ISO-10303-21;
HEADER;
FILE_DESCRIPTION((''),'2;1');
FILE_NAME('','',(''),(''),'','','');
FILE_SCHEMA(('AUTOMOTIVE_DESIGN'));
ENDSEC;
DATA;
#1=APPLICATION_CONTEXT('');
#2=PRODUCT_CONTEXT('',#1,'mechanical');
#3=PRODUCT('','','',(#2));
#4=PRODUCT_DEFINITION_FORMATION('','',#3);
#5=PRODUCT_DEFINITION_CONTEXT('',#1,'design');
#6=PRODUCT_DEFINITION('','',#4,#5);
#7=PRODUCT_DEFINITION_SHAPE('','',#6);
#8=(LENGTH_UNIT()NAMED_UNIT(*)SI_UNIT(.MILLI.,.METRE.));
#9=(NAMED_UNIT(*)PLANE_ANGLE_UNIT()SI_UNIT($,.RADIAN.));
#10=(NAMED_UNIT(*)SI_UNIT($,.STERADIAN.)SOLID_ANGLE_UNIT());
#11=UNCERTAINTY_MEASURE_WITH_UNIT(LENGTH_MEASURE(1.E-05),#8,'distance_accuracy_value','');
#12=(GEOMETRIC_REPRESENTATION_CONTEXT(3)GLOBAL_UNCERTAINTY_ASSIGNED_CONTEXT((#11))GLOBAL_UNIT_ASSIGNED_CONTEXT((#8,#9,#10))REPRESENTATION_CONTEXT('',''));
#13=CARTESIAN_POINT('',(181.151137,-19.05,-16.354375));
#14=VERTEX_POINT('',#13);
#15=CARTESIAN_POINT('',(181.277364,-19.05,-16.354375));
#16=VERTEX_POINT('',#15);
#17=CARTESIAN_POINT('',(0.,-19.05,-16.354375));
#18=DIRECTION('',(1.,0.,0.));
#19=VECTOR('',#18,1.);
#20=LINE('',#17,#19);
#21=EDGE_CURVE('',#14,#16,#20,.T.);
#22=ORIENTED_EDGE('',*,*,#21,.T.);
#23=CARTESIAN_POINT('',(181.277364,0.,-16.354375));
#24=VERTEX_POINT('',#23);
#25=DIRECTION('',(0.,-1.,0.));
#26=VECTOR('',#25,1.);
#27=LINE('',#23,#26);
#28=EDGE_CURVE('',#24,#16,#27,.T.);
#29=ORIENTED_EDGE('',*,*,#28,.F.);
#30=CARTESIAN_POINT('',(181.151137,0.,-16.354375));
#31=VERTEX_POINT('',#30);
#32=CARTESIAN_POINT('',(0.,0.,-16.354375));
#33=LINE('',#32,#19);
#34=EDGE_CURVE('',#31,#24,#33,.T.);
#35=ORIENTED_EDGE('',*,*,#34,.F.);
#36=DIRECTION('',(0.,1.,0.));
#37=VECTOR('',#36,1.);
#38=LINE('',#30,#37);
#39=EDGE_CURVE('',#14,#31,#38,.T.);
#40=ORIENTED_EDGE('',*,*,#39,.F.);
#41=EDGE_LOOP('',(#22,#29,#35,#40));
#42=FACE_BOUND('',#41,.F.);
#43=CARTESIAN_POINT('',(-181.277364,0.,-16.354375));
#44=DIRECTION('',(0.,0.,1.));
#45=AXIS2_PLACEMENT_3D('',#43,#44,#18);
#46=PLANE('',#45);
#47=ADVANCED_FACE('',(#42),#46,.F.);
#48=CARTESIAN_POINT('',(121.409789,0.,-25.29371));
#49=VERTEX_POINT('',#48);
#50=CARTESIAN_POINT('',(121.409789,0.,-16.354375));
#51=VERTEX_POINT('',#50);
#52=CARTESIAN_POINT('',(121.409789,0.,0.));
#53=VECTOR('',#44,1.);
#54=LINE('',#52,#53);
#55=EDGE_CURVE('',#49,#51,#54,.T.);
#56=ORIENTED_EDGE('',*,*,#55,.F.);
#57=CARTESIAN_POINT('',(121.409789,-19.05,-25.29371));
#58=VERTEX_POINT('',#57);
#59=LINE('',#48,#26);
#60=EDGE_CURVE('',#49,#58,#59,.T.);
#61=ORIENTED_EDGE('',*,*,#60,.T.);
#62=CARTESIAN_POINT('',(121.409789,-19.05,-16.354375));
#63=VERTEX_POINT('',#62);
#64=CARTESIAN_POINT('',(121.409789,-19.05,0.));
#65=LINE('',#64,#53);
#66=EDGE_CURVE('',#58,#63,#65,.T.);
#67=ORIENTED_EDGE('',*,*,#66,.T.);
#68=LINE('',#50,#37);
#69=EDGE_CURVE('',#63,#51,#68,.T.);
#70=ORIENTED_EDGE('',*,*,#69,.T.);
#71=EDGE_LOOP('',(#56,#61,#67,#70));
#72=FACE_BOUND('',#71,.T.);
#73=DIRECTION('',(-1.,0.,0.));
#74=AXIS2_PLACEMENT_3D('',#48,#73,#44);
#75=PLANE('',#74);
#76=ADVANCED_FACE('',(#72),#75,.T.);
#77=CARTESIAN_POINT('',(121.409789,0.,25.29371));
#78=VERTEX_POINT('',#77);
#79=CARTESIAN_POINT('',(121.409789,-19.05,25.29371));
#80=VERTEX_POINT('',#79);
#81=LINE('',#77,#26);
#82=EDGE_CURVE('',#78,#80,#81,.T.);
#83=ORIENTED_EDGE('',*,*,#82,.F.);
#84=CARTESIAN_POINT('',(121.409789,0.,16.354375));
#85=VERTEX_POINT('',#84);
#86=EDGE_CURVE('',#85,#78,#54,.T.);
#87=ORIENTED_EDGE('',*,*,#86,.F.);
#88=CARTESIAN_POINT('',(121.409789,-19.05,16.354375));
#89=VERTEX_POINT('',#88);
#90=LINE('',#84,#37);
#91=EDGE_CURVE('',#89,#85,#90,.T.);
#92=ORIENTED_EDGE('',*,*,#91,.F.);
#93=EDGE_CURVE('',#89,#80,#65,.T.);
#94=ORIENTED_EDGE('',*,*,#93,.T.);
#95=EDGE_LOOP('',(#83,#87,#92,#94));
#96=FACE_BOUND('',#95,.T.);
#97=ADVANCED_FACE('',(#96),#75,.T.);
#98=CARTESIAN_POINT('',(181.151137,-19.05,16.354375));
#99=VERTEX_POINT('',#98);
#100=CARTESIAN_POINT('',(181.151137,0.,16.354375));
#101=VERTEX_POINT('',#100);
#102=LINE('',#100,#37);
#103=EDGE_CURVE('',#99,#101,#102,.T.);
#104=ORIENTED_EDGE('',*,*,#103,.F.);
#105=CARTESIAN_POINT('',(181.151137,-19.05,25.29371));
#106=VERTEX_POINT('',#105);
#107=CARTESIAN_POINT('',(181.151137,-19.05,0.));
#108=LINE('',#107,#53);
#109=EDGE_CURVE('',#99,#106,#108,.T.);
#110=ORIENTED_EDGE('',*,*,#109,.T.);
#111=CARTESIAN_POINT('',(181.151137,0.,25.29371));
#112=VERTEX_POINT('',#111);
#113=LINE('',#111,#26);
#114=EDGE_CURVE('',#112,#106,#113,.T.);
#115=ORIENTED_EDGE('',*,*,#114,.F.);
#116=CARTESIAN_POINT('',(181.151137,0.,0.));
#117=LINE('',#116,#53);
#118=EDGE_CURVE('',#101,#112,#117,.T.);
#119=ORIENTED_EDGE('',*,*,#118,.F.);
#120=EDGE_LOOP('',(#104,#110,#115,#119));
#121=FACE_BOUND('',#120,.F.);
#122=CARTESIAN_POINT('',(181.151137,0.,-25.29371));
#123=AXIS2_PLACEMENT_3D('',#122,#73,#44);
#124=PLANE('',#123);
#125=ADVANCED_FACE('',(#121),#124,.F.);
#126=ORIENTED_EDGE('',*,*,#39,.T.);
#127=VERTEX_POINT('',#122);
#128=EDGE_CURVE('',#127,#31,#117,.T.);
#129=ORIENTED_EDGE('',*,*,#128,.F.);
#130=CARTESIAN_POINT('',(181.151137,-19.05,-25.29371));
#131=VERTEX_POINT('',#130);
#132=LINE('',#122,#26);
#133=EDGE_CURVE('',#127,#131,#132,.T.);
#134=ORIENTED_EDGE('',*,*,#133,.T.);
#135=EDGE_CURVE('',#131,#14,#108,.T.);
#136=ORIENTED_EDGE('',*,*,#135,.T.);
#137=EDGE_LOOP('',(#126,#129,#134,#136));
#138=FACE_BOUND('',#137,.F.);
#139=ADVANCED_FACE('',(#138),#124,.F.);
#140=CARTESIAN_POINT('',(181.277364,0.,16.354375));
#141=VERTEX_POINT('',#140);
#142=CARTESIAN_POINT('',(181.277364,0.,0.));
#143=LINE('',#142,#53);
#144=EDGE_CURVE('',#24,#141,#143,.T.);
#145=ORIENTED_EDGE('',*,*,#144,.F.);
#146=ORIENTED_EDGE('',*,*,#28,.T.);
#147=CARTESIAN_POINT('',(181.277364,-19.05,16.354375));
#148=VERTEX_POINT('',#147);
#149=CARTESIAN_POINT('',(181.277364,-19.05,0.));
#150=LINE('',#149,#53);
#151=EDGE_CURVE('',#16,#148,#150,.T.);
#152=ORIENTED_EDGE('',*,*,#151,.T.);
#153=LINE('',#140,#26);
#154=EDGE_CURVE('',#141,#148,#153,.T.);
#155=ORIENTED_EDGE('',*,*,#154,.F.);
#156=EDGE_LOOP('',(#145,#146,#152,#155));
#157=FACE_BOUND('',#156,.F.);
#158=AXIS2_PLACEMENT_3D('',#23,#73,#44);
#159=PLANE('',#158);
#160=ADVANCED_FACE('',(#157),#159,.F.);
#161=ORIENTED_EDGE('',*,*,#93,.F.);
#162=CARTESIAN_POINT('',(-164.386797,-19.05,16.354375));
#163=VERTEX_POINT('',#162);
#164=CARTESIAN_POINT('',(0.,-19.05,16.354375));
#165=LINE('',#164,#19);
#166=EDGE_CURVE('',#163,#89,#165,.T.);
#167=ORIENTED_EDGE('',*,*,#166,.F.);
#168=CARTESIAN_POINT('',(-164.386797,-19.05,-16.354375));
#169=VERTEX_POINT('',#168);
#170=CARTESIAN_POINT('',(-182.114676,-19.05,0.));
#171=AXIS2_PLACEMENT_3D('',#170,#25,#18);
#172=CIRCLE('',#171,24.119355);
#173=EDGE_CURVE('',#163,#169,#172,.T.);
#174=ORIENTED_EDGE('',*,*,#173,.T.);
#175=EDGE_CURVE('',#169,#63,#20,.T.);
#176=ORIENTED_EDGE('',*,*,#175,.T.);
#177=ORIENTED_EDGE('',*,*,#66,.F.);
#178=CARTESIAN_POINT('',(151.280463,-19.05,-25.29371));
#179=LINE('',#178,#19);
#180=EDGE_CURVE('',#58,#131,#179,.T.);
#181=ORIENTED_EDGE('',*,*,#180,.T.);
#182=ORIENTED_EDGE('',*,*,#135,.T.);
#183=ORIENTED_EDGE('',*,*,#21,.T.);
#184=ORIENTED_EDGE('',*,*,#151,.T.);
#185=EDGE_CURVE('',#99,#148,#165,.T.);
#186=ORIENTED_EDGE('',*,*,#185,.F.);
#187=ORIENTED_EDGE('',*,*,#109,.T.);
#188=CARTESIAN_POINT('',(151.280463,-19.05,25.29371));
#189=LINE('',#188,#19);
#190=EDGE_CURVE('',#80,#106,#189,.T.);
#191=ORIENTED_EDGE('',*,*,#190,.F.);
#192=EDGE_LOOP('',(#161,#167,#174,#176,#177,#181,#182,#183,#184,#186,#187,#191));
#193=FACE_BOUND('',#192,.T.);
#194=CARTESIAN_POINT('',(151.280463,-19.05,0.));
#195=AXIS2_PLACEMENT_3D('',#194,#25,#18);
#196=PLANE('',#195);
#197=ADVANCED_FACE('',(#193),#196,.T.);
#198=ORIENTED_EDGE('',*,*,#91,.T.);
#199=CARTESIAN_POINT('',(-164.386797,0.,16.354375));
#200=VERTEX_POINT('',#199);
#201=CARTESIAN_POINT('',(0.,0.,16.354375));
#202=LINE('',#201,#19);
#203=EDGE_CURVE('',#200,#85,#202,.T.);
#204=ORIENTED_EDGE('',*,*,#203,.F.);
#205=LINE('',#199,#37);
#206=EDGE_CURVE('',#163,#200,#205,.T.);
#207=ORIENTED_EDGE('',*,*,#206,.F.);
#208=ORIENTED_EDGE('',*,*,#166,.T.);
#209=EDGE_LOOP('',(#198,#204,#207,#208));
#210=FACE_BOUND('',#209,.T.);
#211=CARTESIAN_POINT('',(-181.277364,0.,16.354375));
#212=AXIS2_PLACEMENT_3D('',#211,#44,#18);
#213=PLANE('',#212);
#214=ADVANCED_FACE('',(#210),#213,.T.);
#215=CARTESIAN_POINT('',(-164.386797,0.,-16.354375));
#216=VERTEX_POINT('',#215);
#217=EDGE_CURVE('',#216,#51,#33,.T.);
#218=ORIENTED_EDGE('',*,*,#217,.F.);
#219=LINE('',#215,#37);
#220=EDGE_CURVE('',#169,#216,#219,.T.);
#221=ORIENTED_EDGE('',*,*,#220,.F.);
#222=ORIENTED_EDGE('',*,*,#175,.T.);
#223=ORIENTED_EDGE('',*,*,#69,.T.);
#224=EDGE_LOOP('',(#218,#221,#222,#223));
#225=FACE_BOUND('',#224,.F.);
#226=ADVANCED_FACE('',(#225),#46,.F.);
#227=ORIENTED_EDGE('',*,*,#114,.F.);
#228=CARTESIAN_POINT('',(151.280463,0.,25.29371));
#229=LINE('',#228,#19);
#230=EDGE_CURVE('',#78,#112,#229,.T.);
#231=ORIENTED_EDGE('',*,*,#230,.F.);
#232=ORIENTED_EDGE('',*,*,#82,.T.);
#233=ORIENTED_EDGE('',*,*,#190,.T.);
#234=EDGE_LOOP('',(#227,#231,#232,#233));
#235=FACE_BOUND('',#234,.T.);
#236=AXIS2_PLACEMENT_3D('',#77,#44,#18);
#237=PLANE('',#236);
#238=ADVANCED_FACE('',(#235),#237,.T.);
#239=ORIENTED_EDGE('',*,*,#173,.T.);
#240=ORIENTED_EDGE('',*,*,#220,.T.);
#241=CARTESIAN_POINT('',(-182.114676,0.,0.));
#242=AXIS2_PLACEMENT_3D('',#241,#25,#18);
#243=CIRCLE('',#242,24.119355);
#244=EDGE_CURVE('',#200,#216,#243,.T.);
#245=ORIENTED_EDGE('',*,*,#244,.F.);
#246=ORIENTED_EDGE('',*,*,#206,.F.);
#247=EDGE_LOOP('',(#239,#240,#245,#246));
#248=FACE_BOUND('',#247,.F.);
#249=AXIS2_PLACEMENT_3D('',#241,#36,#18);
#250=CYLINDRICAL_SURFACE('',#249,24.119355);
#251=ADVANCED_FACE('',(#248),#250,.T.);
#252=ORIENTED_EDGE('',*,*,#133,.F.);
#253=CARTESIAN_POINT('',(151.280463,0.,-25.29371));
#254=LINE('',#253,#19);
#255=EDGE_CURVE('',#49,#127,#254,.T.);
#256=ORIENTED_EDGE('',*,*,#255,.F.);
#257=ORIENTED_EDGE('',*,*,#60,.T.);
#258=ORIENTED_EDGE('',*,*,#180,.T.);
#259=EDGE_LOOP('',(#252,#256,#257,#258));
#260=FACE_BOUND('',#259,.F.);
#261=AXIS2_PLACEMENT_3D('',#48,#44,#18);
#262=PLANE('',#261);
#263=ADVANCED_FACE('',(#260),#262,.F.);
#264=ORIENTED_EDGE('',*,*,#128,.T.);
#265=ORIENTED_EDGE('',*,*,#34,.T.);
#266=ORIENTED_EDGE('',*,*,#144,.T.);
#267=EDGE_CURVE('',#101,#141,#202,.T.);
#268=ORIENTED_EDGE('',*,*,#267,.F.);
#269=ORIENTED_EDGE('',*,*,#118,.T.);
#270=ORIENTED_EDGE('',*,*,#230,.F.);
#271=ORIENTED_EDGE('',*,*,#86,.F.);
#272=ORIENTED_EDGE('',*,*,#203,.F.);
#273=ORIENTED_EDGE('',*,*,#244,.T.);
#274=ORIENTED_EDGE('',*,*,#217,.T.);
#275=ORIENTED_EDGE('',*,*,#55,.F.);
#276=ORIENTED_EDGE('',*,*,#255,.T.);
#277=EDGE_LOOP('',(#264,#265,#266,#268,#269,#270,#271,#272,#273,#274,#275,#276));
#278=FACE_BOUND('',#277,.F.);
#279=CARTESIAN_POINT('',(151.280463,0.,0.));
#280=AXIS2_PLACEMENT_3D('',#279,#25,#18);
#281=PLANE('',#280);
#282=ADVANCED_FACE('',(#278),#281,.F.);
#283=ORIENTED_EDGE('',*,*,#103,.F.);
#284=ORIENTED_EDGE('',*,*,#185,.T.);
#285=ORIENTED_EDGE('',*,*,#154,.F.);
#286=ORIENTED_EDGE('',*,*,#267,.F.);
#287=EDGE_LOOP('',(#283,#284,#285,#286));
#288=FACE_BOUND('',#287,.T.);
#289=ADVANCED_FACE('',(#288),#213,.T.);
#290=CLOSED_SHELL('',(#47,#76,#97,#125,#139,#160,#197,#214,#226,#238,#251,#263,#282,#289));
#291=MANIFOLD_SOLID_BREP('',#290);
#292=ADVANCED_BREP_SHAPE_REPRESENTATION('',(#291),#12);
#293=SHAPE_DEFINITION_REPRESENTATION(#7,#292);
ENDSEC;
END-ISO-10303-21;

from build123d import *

# Parameters (mm, degrees)
F0_W     = 362.554728
F0_H     = 32.70875
F1_R     = 24.119355
F1_W     = 59.741348
F1_H     = 50.58742
F2_DEPTH = 19.05


with BuildPart() as f2:
    # F0 (on Front) + F1 (on face) → F2 (new body)
    with BuildSketch(Plane.XZ):
        Rectangle(F0_W, F0_H)
    with BuildSketch(Plane.XZ):
        with Locations((-182.114676, 0)):
            Circle(F1_R)
        with Locations((151.280463, 0)):
            Rectangle(F1_W, F1_H)
    extrude(amount=F2_DEPTH)

    # F3: union 


solid = f2.part
